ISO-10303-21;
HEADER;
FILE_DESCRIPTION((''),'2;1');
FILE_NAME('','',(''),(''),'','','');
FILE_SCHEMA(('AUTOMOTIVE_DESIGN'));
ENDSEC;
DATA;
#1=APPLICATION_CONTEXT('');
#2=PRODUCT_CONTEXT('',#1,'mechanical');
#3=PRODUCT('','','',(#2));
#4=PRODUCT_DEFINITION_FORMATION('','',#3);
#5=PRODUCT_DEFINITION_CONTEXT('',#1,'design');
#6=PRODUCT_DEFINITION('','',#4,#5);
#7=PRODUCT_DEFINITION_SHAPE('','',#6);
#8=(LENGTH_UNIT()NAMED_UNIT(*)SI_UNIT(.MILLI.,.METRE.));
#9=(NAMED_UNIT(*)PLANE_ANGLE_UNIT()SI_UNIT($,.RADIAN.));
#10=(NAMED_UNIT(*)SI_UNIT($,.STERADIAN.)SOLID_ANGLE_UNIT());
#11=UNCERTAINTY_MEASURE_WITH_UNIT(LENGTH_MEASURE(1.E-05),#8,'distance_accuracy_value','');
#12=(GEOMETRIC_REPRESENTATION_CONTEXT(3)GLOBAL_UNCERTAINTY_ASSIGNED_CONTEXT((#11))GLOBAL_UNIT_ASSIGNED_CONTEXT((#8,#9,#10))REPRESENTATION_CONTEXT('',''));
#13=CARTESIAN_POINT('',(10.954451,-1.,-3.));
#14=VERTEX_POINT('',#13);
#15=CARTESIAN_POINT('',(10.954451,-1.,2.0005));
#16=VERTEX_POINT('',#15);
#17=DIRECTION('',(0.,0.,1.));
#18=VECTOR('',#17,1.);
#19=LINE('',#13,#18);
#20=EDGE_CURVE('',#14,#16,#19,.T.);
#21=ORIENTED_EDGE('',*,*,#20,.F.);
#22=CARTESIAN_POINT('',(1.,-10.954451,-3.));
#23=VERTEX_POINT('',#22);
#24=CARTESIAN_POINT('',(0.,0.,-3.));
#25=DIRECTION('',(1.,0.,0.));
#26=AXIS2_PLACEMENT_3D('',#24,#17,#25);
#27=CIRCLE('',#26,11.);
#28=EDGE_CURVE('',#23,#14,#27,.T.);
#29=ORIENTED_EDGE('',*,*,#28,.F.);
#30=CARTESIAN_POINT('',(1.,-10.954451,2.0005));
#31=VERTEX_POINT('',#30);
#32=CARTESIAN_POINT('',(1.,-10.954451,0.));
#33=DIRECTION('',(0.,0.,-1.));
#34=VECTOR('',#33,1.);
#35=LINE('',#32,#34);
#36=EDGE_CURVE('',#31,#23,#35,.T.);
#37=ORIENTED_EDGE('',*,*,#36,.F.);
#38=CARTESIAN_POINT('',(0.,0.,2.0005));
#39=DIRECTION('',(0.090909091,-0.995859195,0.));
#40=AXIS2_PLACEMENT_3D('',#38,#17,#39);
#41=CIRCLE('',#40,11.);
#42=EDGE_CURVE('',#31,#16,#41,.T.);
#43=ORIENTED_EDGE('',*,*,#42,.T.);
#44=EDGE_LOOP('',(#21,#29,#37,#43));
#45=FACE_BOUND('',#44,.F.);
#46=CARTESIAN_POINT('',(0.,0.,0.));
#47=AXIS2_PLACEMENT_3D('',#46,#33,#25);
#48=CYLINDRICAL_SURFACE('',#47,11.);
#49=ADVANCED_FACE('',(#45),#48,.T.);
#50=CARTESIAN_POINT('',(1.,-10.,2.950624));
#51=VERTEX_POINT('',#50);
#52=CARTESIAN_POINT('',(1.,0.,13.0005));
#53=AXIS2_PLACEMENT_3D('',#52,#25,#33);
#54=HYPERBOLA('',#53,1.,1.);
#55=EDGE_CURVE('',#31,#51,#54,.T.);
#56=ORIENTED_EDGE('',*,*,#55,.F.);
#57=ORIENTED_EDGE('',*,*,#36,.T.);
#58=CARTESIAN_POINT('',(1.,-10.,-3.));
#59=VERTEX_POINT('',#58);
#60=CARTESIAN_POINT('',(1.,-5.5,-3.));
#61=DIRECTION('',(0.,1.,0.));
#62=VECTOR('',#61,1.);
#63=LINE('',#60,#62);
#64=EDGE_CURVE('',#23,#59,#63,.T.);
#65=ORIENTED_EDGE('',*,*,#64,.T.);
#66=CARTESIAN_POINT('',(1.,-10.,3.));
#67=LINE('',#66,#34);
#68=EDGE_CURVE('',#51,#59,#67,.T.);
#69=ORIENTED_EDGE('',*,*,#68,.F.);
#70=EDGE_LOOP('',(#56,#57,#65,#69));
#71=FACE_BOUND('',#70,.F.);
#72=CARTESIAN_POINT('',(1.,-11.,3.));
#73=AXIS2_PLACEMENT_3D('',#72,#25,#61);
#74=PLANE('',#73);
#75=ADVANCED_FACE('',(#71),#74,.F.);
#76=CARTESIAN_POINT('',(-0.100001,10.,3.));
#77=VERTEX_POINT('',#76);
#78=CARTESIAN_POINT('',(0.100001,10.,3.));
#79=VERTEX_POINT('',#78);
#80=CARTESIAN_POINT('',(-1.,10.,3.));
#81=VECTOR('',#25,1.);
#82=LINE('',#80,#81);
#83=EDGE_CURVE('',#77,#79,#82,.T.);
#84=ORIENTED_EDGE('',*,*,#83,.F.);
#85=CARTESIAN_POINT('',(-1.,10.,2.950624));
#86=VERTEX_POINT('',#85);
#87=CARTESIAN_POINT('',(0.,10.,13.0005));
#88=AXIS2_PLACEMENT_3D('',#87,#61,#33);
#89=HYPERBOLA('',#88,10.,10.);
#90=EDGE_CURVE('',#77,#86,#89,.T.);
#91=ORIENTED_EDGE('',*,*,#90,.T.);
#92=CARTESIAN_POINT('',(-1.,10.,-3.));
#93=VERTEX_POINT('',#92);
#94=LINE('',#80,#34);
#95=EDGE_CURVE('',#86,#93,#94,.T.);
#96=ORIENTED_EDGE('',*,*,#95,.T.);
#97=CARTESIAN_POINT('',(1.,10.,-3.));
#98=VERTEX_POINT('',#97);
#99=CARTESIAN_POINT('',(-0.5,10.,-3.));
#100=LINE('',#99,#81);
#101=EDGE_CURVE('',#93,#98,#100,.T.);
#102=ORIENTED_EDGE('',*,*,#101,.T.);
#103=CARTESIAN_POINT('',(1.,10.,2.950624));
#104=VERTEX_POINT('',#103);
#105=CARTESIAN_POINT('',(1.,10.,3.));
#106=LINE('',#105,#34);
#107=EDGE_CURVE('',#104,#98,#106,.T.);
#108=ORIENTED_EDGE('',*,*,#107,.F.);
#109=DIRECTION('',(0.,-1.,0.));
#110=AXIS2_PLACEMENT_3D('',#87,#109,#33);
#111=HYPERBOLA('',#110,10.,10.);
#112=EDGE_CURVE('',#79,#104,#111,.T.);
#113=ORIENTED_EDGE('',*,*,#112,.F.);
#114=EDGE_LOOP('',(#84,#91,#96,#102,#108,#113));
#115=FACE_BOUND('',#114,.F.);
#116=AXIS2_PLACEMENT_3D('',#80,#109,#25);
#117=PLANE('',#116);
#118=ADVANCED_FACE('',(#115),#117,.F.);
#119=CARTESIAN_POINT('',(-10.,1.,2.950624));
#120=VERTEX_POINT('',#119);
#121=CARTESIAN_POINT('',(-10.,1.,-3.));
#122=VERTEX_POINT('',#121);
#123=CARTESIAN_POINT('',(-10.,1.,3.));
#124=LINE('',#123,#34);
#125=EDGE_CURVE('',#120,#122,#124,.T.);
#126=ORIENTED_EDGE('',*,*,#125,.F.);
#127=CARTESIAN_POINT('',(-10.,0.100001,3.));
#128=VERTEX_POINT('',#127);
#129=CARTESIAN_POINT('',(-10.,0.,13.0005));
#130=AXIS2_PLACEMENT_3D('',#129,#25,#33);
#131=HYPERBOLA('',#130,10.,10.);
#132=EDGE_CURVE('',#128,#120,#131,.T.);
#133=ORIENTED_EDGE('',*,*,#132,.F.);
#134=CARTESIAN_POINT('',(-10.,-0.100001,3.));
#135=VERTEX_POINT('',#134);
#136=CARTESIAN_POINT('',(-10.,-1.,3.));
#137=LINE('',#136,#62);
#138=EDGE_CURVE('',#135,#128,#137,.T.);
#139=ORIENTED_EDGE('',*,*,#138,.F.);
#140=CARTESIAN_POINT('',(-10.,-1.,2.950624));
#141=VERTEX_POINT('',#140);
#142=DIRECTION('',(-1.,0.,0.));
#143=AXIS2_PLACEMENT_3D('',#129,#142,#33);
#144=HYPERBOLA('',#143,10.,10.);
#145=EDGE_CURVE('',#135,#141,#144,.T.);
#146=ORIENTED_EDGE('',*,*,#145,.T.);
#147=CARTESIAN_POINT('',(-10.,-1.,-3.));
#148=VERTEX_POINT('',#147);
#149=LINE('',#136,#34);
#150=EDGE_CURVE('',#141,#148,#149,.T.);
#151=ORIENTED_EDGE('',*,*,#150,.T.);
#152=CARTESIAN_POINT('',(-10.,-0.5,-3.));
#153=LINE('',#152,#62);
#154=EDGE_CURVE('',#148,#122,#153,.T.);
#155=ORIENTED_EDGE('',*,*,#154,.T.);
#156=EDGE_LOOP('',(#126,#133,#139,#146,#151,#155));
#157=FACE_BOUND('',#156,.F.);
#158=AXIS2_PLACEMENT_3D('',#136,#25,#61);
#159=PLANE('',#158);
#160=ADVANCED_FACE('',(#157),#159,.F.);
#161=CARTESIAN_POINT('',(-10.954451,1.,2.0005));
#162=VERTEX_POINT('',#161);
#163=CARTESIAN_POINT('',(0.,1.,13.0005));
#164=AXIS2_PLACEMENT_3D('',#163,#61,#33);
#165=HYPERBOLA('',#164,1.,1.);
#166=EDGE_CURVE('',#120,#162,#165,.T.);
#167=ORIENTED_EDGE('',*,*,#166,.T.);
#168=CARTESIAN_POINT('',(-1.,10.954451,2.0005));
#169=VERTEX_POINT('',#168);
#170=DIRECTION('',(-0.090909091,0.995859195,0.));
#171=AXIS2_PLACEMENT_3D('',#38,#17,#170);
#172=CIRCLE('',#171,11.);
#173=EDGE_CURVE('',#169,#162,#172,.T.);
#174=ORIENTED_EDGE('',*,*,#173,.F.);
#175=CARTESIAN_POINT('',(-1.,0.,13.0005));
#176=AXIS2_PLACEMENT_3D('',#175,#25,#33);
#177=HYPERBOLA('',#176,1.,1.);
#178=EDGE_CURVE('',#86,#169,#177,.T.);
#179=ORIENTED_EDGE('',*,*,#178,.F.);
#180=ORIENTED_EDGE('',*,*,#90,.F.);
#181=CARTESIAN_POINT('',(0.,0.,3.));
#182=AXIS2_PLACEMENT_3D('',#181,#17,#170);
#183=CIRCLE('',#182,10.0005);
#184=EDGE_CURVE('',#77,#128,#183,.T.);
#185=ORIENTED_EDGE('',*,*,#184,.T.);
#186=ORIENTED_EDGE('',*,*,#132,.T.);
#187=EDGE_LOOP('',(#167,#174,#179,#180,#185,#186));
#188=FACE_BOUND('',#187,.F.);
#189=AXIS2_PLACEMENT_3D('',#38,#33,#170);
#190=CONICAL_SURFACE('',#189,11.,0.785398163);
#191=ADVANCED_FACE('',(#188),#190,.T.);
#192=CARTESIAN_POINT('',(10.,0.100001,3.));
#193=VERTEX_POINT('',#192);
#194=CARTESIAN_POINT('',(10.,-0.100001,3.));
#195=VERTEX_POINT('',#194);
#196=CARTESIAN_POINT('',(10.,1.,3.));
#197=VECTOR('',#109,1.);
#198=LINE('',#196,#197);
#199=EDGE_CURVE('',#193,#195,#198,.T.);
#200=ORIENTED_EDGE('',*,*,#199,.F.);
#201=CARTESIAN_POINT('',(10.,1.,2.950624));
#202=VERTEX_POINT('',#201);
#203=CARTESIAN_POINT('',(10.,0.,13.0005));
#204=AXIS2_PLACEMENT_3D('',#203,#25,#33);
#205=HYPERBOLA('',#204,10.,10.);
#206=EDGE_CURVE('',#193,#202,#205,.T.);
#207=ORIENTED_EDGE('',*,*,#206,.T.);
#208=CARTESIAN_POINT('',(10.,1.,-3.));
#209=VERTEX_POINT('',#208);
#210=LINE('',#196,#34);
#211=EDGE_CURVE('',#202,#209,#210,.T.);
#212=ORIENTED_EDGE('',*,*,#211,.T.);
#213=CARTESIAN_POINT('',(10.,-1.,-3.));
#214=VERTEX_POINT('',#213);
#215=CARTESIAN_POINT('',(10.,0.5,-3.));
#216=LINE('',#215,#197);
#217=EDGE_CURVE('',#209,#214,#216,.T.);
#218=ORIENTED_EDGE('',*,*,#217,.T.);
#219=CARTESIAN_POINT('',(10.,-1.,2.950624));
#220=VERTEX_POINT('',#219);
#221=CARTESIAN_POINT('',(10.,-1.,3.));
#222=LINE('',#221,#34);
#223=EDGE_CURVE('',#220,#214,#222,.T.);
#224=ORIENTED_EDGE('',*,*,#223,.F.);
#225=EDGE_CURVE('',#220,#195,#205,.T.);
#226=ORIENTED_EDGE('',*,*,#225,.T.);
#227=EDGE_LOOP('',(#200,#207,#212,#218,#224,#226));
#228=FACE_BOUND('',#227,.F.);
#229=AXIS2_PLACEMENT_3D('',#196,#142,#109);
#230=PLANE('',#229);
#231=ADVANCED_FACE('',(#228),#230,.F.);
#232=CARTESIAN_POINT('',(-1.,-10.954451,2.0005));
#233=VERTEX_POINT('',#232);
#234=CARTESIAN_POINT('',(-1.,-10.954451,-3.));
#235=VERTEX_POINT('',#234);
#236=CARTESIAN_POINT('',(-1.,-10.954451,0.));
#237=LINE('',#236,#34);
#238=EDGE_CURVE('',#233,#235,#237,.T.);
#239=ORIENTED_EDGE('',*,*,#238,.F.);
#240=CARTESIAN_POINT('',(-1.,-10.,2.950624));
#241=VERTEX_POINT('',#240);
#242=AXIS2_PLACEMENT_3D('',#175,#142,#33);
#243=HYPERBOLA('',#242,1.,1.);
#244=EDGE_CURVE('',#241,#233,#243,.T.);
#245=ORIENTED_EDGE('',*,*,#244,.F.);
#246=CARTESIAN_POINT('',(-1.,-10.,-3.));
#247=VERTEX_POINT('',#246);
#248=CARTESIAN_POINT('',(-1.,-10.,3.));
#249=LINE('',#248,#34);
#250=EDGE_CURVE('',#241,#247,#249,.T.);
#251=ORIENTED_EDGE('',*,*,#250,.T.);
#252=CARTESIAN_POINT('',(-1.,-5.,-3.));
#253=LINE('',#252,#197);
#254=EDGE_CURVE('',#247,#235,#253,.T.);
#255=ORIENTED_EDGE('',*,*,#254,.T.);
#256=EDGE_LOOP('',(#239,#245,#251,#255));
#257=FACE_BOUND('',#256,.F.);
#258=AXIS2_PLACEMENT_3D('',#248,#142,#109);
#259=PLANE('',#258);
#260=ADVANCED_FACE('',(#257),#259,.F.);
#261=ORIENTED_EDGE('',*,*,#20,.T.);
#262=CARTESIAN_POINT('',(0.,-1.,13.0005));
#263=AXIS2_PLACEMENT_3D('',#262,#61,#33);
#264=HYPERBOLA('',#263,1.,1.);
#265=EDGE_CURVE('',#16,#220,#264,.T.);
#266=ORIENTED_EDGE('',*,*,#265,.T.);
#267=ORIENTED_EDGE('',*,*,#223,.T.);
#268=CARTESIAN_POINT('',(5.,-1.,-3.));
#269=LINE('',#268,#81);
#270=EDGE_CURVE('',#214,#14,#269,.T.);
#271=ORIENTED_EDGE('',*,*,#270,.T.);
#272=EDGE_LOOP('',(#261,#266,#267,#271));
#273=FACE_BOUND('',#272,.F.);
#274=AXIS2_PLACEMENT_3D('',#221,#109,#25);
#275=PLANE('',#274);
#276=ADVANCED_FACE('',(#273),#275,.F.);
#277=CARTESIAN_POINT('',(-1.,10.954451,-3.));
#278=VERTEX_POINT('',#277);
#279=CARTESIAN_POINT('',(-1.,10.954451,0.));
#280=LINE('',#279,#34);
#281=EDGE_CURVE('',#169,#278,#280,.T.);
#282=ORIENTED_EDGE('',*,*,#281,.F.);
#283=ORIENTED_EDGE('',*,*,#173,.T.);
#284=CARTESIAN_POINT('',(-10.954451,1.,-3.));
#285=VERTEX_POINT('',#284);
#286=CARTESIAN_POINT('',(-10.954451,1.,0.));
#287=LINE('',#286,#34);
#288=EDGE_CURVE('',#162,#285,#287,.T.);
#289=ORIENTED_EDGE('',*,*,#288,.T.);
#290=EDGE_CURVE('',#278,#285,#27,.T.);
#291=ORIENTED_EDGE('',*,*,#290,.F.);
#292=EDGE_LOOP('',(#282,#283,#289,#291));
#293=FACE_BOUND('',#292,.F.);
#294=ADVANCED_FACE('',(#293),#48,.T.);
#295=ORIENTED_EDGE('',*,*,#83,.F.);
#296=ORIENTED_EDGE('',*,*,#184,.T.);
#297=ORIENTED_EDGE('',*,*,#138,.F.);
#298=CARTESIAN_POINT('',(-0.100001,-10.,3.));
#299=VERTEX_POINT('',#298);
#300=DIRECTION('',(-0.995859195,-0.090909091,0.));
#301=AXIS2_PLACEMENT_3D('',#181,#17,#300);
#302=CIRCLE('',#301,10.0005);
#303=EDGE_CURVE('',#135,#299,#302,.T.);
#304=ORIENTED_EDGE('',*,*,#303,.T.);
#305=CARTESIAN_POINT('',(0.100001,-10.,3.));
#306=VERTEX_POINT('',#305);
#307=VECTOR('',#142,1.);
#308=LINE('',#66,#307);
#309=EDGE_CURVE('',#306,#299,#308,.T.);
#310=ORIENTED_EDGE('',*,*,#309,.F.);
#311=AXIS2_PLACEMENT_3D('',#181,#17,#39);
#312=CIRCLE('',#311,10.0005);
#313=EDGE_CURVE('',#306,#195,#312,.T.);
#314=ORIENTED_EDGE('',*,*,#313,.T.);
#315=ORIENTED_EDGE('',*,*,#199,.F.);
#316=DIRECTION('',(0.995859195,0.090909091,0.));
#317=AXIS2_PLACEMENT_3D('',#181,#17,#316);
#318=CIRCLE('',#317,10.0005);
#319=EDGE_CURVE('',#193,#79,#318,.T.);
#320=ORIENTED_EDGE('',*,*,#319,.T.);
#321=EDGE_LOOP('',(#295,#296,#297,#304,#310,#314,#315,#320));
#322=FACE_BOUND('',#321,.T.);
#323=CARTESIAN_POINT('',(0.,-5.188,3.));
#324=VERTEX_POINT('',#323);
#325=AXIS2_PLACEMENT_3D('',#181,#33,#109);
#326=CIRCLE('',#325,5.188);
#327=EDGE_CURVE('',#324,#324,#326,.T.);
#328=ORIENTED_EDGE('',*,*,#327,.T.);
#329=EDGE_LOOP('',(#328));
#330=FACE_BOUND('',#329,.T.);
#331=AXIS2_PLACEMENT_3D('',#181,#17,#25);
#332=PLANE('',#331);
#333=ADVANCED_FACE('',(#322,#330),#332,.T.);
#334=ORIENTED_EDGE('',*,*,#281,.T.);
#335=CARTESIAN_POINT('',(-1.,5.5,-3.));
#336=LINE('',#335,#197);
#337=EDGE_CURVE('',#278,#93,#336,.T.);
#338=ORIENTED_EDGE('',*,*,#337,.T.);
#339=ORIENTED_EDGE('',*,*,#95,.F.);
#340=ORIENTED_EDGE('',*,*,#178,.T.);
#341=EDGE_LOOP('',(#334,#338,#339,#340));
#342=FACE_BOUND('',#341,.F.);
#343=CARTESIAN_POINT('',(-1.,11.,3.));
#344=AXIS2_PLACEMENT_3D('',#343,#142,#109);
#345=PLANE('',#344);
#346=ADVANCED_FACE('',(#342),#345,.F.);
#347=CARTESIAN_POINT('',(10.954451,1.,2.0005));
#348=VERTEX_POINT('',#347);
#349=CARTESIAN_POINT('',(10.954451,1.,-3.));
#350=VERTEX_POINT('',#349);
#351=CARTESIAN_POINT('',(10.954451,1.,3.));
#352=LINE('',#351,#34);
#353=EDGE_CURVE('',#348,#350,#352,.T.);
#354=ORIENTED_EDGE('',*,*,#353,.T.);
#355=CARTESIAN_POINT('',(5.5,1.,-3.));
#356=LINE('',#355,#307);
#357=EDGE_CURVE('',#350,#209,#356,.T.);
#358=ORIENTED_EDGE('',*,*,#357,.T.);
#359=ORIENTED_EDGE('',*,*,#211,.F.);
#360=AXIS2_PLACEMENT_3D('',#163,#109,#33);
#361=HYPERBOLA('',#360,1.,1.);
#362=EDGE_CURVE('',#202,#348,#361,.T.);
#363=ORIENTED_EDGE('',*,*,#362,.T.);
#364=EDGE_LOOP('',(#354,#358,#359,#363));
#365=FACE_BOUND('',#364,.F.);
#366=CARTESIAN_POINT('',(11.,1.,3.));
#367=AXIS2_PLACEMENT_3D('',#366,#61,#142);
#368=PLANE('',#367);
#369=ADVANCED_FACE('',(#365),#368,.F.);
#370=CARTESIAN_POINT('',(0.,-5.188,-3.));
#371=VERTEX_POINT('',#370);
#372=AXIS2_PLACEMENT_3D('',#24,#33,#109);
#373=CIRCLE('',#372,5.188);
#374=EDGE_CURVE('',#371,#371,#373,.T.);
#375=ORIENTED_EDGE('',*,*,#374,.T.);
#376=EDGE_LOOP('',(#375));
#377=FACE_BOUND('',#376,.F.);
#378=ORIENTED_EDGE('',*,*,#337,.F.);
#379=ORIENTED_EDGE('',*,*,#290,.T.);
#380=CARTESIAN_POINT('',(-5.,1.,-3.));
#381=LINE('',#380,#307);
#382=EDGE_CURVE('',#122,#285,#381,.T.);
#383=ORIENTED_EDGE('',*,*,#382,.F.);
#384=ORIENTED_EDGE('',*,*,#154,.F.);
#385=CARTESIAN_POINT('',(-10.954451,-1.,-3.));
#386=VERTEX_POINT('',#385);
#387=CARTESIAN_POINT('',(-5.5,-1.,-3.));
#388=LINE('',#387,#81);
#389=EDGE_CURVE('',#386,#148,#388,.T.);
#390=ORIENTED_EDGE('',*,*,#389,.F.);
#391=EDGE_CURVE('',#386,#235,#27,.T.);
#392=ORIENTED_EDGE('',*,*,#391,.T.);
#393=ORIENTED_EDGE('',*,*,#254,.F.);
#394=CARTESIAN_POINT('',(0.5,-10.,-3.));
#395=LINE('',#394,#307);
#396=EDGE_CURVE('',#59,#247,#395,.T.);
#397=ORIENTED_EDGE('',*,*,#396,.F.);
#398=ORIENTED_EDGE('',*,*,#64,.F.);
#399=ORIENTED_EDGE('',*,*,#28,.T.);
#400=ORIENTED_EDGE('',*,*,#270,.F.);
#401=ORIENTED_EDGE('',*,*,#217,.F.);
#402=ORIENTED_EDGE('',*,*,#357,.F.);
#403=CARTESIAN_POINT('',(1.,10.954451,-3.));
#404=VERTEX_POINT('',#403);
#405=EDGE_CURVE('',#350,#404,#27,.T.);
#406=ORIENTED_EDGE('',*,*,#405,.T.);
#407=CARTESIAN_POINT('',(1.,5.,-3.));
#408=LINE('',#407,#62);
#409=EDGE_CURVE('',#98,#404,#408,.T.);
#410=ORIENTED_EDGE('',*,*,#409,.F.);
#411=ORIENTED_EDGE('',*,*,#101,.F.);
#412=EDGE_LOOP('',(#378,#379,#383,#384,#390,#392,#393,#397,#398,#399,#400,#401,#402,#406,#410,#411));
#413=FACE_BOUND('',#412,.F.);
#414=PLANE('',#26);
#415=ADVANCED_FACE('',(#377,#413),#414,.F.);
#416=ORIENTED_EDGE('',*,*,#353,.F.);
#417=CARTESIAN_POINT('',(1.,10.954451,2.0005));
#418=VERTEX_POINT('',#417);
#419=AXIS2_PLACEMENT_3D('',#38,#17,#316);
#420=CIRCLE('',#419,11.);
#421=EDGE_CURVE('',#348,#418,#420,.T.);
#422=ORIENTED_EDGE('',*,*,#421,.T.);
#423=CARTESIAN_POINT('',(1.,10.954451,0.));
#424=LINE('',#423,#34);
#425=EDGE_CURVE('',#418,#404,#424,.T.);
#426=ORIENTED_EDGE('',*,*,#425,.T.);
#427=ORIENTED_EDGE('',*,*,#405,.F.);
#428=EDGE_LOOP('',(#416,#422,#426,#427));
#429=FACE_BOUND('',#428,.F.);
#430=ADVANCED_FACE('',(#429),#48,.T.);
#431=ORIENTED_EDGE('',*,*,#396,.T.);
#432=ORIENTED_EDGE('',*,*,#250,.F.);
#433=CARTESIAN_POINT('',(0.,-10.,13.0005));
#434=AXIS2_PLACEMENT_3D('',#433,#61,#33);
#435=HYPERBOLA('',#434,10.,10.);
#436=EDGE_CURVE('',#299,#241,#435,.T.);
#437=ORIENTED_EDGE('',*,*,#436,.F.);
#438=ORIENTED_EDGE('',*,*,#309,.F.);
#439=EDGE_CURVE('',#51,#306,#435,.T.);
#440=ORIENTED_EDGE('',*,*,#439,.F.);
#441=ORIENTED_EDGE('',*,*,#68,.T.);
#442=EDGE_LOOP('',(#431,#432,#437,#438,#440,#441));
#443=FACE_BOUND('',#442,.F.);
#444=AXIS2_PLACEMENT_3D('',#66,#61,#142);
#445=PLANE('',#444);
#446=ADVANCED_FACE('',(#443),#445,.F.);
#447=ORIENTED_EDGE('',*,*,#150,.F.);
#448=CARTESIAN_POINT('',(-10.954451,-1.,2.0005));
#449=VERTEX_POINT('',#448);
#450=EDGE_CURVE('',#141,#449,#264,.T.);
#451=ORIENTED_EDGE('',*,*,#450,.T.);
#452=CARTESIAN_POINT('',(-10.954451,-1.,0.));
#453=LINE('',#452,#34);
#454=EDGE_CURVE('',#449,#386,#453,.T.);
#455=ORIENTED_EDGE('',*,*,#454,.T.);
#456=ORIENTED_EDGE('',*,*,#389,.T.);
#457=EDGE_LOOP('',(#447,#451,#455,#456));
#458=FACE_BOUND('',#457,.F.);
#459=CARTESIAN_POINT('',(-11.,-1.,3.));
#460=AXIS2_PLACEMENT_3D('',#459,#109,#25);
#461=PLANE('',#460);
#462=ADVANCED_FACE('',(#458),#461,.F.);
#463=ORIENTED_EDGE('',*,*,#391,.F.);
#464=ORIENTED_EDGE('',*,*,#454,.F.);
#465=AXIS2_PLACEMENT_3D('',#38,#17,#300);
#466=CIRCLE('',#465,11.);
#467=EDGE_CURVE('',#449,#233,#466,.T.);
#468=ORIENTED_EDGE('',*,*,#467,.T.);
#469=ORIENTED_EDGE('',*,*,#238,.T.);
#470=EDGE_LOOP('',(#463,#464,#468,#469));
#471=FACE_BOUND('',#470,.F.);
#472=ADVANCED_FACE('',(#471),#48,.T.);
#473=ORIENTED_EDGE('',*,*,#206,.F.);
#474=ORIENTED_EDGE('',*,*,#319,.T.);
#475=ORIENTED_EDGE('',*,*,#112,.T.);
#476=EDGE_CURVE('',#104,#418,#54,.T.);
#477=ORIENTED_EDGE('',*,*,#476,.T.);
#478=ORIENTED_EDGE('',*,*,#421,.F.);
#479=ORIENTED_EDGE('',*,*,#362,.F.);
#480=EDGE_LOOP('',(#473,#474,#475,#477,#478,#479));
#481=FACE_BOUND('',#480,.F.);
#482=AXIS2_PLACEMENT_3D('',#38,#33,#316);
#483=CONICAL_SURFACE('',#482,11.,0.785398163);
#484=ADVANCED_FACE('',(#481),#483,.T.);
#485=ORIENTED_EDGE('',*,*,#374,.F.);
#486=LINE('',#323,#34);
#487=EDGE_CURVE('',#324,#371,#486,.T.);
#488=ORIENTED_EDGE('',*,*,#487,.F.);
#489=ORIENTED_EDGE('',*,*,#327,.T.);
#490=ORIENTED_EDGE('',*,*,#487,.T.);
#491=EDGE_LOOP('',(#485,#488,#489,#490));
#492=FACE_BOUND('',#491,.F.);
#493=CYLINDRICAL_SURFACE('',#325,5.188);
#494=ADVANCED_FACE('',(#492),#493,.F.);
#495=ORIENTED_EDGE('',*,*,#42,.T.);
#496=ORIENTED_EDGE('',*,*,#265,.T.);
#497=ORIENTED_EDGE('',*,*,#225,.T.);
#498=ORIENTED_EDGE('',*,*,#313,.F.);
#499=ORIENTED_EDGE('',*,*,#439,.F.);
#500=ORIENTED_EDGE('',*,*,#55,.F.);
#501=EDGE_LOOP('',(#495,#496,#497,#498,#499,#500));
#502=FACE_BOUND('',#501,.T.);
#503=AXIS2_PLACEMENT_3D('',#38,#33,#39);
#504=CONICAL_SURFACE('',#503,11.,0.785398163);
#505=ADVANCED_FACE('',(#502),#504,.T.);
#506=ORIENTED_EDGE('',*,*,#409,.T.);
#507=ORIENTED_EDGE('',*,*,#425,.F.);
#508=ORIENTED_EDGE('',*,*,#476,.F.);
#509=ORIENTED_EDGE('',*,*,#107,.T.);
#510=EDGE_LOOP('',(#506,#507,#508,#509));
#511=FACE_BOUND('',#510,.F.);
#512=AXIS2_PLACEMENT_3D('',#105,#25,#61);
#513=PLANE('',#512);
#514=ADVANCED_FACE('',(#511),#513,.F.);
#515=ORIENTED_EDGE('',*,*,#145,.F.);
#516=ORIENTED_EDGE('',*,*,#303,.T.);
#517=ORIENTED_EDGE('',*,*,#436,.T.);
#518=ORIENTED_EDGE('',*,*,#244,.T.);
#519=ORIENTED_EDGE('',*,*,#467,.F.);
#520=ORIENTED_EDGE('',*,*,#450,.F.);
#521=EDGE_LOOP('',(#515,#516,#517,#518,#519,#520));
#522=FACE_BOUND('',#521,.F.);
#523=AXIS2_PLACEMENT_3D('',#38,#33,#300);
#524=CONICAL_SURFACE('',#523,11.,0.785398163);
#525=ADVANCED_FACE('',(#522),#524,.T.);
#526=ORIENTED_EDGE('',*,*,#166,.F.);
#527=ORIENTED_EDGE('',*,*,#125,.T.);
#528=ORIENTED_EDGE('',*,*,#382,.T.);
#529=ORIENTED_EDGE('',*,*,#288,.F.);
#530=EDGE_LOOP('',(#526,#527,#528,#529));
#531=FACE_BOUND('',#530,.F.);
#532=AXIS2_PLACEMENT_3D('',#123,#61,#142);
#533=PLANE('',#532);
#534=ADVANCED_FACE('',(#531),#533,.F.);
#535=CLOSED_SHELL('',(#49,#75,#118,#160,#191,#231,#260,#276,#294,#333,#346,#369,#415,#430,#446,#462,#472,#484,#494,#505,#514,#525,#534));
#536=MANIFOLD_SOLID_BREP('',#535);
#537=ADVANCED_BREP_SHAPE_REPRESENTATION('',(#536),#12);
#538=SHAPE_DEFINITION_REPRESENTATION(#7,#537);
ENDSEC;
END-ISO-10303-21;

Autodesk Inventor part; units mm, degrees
ref_plane "YZ Plane" through (0, 0, 0) normal (1, 0, 0) x (0, 1, 0)
ref_plane "XZ Plane" through (0, 0, 0) normal (0, 1, 0) x (-1, 0, 0)
ref_plane "XY Plane" through (0, 0, 0) normal (0, 0, 1) x (1, 0, 0)
sketch "Sketch1" plane through (0, 0, 0) normal (0, 0, 1) x (1, 0, 0)
  circle A0 centre (0, 0) radius 11
  dimension "d0" = 22
extrude "Extrusion1" add sketch "Sketch1" along normal mid plane 6
sketch "Sketch3" plane through (0, 0, 3) normal (0, 0, 1) x (1, 0, 0)
  point P0 (0, 0)
hole "Hole1" at (0, 0, 3) direction (0, 0, -1) diameter 10.376 end through all thread size "M12x1.5" class "6H" standard "ISO Metric profile"
sketch "Sketch2" plane through (0, 0, 3) normal (0, 0, 1) x (1, 0, 0)
  line L0 (11, 1) -> (10, 1)
  line L1 (10, 1) -> (10, -1)
  line L2 (10, -1) -> (11, -1)
  line L3 (11, -1) -> (11, 1)
  circle A0 centre (0, 0) radius 11 construction
  point P0 (10, 0)
  dimension "d3" = 2
  dimension "d4" = 1
extrude "Extrusion2" cut sketch "Sketch2" against normal through all
pattern_circular "Circular Pattern1" count 4 over 360 about axis through (0, 0, 0) along (0, 0, 1) of "Extrusion2"
chamfer "Chamfer1" distance 1 angle 45 4 edges at (7.7782, -7.7782, 3) (7.7782, 7.7782, 3) (-7.7782, 7.7782, 3) (-7.7782, -7.7782, 3)
properties material "Stainless Steel"
